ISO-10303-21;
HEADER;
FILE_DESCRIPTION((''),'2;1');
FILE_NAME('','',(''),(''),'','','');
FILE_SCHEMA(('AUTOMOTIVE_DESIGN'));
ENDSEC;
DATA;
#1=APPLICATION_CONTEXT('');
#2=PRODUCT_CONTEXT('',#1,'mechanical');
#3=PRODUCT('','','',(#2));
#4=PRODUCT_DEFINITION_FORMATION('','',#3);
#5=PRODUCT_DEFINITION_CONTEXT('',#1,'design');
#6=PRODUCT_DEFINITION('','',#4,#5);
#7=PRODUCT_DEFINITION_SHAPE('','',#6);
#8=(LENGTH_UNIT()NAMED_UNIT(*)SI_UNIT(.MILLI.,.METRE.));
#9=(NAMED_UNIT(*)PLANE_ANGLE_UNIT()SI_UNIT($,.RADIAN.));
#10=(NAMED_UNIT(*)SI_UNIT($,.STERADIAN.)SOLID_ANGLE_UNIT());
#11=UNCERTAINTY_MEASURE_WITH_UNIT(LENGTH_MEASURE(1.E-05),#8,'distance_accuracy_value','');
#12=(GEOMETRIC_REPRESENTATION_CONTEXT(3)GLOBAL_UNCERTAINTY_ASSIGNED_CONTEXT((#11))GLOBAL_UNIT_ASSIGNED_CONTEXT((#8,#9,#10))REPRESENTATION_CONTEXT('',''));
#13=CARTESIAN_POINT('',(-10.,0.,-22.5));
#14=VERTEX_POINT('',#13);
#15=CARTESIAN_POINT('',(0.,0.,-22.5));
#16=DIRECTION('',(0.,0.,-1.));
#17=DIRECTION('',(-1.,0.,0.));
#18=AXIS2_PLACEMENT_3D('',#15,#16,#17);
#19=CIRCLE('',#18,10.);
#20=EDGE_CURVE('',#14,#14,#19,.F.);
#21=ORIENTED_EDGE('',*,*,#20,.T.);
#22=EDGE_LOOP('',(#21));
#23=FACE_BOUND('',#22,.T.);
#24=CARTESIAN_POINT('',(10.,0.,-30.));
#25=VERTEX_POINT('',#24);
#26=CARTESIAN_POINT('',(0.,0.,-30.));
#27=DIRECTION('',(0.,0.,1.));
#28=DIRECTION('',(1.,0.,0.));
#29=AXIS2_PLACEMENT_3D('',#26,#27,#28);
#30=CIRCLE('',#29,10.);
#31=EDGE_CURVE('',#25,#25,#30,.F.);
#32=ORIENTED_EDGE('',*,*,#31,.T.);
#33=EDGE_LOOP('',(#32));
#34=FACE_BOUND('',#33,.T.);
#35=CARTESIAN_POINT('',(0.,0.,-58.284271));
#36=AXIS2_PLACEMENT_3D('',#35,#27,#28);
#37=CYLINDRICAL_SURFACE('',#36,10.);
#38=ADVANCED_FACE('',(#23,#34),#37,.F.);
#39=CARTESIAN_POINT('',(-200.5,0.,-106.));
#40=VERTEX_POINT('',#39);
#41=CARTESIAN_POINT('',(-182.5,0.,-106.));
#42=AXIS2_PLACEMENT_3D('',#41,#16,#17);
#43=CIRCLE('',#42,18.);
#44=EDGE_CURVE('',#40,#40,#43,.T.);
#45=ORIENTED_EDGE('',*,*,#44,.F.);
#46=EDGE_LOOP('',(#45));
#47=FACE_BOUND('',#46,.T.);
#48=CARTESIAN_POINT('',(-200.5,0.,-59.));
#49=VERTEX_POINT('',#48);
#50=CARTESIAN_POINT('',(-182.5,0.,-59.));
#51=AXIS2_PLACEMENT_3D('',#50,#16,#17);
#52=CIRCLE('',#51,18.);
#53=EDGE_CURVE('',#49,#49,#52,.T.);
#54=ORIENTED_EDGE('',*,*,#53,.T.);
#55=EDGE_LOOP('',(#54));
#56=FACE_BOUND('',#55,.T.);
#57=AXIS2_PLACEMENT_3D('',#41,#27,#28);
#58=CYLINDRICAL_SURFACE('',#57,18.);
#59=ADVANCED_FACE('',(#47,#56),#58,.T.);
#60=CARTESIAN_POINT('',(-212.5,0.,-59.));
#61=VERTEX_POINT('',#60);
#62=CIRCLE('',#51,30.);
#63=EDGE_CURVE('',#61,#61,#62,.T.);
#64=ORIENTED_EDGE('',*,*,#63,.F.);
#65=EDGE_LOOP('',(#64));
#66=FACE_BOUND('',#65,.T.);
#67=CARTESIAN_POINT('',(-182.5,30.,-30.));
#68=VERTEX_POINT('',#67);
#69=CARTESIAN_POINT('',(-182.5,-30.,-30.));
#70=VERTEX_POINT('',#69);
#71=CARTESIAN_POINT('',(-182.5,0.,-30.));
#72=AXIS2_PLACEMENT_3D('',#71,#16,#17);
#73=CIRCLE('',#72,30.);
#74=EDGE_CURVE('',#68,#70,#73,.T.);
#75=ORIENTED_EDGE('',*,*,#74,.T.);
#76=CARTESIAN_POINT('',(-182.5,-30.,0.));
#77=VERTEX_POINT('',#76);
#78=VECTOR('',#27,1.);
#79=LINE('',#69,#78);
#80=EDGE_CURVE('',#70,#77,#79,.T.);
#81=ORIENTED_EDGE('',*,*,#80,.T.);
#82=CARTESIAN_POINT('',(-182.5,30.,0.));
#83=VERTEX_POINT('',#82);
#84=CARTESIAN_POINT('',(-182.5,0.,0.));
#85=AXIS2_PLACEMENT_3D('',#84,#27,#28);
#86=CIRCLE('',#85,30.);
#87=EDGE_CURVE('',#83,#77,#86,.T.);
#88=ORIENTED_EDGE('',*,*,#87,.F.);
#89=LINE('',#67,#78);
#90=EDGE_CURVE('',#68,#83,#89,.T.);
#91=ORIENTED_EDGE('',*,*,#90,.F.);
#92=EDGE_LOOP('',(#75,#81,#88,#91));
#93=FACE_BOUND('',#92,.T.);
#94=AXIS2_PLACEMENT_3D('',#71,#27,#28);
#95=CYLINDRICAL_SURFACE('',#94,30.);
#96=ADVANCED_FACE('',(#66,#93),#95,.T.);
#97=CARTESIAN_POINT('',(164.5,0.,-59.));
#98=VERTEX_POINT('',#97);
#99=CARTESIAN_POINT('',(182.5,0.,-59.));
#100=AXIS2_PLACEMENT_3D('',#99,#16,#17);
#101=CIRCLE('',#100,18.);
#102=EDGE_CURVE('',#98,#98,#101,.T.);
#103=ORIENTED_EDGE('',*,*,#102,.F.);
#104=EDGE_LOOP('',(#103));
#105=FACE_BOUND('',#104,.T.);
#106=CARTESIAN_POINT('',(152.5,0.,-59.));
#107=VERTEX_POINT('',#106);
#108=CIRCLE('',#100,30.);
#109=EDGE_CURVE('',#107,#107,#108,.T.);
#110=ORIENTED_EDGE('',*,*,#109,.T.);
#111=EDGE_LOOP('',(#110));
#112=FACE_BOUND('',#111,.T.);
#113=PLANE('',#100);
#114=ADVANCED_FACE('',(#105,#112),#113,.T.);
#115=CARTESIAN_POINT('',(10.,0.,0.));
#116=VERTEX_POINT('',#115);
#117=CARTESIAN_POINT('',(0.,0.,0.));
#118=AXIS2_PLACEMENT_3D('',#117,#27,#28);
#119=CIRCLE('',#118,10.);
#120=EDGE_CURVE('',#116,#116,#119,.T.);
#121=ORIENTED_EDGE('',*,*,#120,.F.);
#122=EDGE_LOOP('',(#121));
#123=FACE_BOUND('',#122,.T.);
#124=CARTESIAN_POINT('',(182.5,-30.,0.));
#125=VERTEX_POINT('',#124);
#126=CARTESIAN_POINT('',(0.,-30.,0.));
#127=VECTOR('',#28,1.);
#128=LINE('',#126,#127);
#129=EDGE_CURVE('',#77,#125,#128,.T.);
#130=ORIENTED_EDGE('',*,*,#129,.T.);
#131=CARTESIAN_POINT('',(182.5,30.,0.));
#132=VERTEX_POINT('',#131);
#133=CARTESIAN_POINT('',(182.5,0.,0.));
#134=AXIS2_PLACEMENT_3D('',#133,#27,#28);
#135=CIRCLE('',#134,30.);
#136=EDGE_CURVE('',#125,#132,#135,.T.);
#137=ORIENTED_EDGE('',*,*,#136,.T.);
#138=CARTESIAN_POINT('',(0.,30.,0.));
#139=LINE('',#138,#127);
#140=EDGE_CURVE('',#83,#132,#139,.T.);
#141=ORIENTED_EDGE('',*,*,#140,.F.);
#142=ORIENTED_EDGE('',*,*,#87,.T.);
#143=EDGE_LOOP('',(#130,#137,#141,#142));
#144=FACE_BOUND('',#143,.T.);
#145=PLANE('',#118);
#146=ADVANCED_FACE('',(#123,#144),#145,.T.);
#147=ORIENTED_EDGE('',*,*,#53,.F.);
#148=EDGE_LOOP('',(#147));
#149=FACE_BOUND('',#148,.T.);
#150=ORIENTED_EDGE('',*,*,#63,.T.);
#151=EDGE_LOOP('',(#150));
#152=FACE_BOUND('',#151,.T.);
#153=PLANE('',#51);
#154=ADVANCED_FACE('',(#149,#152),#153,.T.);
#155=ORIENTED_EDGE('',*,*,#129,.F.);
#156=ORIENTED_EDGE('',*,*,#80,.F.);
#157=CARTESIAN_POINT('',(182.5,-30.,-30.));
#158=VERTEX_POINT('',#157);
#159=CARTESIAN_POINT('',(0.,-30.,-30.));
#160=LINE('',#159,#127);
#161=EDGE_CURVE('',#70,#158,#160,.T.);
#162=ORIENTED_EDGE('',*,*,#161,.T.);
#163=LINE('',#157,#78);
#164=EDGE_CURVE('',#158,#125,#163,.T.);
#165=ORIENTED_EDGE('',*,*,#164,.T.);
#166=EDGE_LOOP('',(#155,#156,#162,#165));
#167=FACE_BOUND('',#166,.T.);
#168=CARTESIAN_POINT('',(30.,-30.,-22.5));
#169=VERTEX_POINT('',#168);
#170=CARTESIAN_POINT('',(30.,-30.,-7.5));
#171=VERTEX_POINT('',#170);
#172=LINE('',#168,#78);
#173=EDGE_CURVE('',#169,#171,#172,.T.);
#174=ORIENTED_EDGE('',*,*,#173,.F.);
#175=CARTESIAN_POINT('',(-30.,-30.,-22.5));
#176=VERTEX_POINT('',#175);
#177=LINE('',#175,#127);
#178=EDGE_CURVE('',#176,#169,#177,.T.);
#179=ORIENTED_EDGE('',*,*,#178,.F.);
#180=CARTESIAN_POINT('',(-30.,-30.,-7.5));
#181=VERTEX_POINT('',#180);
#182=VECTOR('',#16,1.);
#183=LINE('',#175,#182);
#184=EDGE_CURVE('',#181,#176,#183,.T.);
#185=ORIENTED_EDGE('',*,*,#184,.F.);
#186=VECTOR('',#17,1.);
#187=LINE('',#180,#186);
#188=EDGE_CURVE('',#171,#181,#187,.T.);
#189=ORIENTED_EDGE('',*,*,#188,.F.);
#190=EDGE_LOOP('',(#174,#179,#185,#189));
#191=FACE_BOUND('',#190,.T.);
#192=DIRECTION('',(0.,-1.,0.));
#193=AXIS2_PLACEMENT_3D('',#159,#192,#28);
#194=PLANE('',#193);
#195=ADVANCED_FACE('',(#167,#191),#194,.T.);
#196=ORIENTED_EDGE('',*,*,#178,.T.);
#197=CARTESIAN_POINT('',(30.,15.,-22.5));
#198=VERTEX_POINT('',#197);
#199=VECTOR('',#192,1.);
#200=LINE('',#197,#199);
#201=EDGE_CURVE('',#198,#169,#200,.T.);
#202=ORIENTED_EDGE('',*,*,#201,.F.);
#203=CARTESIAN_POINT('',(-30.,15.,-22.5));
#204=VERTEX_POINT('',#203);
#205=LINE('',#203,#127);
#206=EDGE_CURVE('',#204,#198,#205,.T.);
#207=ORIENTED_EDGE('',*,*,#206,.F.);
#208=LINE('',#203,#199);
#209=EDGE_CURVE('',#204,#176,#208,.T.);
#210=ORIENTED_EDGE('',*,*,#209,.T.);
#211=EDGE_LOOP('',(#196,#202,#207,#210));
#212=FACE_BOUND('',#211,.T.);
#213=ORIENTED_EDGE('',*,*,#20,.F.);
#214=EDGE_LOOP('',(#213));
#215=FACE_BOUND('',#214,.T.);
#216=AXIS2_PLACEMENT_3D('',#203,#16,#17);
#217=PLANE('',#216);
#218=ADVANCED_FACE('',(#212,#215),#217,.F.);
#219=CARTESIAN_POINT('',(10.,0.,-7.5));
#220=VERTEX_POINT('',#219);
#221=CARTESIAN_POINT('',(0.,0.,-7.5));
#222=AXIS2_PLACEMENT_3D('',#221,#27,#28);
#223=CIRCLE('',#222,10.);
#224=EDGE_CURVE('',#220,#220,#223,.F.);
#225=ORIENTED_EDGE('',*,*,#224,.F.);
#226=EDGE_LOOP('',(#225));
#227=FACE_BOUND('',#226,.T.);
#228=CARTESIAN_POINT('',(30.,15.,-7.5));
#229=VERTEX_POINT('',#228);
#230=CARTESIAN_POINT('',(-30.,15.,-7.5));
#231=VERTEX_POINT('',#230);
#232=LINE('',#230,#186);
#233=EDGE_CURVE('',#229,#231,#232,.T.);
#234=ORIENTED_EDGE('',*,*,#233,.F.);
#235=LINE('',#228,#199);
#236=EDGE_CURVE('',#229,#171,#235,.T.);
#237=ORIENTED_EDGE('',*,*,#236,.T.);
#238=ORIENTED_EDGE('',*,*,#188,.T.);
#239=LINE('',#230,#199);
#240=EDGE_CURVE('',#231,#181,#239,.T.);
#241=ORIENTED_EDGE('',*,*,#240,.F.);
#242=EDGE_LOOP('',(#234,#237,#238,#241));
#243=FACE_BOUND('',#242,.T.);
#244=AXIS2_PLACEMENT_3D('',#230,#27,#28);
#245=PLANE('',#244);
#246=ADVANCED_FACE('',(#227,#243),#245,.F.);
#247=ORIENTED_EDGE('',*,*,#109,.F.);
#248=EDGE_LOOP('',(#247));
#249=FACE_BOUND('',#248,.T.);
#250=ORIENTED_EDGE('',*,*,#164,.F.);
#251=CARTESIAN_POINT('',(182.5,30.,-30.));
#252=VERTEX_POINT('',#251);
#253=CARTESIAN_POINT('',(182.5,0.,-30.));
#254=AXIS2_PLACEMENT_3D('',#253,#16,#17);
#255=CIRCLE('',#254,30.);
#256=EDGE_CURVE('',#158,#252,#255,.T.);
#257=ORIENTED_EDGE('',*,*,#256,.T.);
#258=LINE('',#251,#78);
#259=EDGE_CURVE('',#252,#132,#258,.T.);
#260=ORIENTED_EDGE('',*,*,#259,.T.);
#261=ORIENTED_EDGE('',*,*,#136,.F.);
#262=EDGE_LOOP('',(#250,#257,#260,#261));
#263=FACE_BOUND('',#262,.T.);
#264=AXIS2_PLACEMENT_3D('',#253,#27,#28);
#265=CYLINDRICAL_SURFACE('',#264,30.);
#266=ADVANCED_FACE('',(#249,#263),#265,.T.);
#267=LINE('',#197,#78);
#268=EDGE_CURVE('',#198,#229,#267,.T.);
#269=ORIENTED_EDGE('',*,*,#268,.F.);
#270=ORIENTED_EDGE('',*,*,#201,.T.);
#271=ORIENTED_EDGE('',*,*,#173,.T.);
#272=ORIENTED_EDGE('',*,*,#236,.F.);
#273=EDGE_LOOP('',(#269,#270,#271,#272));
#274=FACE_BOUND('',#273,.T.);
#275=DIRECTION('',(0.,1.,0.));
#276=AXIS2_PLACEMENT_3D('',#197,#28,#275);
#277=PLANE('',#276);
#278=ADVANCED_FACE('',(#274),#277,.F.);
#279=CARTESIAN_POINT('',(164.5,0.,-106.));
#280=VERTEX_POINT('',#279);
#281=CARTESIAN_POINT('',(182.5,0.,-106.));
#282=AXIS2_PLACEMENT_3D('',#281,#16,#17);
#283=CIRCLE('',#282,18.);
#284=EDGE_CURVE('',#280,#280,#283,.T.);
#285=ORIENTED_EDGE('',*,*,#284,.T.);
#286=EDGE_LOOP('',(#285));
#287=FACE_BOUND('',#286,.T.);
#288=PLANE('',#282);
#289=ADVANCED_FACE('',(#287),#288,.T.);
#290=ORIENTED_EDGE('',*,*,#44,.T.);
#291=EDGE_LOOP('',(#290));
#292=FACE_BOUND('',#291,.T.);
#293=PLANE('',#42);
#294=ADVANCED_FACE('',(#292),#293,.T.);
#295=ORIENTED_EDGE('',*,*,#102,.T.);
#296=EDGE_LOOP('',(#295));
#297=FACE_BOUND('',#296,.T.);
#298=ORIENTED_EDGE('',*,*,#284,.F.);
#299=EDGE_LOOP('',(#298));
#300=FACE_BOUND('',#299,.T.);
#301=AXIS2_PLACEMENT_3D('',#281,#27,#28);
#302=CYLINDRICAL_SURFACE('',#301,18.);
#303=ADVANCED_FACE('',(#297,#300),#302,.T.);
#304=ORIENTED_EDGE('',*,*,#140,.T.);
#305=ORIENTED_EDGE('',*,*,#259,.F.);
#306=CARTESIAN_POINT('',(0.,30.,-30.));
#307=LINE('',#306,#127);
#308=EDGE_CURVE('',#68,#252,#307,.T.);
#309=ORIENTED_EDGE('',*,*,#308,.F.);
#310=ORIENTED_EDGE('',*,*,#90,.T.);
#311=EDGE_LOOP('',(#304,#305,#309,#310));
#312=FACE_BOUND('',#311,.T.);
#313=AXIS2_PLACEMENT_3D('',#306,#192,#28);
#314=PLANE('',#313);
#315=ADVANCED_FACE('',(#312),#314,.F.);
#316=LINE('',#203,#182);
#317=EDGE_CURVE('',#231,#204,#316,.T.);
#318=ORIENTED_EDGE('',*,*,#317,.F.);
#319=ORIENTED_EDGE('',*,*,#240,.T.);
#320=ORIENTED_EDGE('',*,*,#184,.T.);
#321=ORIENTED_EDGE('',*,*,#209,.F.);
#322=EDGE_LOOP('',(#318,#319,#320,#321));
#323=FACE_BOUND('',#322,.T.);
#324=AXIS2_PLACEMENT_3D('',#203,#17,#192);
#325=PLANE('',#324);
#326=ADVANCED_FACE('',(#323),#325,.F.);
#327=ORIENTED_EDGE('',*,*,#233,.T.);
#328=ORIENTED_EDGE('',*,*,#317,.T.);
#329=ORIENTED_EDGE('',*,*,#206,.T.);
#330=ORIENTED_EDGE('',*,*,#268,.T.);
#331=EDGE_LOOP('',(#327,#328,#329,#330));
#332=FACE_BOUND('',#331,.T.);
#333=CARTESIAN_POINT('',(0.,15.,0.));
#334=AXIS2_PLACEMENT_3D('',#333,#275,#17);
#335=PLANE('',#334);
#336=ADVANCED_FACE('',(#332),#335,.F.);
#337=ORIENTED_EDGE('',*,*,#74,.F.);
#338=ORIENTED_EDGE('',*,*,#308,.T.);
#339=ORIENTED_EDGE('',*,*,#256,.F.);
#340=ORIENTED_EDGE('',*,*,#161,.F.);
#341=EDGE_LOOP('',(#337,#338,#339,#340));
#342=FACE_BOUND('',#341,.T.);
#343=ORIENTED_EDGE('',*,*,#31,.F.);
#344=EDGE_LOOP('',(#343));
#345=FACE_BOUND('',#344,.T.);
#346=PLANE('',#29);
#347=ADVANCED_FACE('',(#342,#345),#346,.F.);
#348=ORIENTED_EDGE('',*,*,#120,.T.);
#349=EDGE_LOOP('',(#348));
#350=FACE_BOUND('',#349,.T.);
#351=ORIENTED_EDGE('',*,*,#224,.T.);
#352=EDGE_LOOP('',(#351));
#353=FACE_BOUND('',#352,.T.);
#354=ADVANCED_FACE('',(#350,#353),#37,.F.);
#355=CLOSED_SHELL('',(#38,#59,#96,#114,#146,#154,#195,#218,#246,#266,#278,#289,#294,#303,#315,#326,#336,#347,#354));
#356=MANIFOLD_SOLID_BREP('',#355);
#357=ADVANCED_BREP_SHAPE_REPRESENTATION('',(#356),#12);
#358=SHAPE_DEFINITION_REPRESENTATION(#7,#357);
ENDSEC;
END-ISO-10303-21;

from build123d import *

# Parameters (mm, degrees)
BOSS_EXTRUDE1_DEPTH = 30
SKETCH2_R           = 30
BOSS_EXTRUDE2_DEPTH = 29
SKETCH1_3_R         = 10
CUT_EXTRUDE1_DEPTH  = 30
BOSS_EXTRUDE3_START = -59
SKETCH1_4_R         = 18
BOSS_EXTRUDE3_DEPTH = 47
SKETCH3_W           = 60
SKETCH3_H           = 15
CUT_EXTRUDE2_DEPTH  = 45


with BuildPart() as part:
    # Sketch1 → Boss-Extrude1 (new body)
    with BuildSketch(Plane.XY):
        with BuildLine():
            Line((-182.5, 30), (182.5, 30))
            ThreePointArc((182.5, 30), (212.5, 0), (182.5, -30))
            Line((182.5, -30), (-182.5, -30))
            ThreePointArc((-182.5, -30), (-212.5, 0), (-182.5, 30))
        make_face()
    extrude(amount=-BOSS_EXTRUDE1_DEPTH)

    # Sketch2 → Boss-Extrude2 (add)
    with BuildSketch(Plane(origin=(0, 0, -30), x_dir=(-1, 0, 0), z_dir=(0, 0, -1))):
        with Locations((-182.5, 0)):
            Circle(SKETCH2_R)
        with Locations((182.5, 0)):
            Circle(SKETCH2_R)
    extrude(amount=BOSS_EXTRUDE2_DEPTH)

    # Sketch1<3> → Cut-Extrude1 (cut)
    with BuildSketch(Plane.XY):
        Circle(SKETCH1_3_R)
    extrude(amount=-CUT_EXTRUDE1_DEPTH, mode=Mode.SUBTRACT)

    # Sketch1<4> → Boss-Extrude3 (add)
    with BuildSketch(Plane.XY.offset(BOSS_EXTRUDE3_START)):
        with Locations((182.5, 0)):
            Circle(SKETCH1_4_R)
        with Locations((-182.5, 0)):
            Circle(SKETCH1_4_R)
    extrude(amount=-BOSS_EXTRUDE3_DEPTH)

    # Sketch3 → Cut-Extrude2 (cut)
    with BuildSketch(Plane.XZ.offset(30)):
        with Locations((0, -15)):
            Rectangle(SKETCH3_W, SKETCH3_H)
    extrude(amount=-CUT_EXTRUDE2_DEPTH, mode=Mode.SUBTRACT)


solid = part.part
